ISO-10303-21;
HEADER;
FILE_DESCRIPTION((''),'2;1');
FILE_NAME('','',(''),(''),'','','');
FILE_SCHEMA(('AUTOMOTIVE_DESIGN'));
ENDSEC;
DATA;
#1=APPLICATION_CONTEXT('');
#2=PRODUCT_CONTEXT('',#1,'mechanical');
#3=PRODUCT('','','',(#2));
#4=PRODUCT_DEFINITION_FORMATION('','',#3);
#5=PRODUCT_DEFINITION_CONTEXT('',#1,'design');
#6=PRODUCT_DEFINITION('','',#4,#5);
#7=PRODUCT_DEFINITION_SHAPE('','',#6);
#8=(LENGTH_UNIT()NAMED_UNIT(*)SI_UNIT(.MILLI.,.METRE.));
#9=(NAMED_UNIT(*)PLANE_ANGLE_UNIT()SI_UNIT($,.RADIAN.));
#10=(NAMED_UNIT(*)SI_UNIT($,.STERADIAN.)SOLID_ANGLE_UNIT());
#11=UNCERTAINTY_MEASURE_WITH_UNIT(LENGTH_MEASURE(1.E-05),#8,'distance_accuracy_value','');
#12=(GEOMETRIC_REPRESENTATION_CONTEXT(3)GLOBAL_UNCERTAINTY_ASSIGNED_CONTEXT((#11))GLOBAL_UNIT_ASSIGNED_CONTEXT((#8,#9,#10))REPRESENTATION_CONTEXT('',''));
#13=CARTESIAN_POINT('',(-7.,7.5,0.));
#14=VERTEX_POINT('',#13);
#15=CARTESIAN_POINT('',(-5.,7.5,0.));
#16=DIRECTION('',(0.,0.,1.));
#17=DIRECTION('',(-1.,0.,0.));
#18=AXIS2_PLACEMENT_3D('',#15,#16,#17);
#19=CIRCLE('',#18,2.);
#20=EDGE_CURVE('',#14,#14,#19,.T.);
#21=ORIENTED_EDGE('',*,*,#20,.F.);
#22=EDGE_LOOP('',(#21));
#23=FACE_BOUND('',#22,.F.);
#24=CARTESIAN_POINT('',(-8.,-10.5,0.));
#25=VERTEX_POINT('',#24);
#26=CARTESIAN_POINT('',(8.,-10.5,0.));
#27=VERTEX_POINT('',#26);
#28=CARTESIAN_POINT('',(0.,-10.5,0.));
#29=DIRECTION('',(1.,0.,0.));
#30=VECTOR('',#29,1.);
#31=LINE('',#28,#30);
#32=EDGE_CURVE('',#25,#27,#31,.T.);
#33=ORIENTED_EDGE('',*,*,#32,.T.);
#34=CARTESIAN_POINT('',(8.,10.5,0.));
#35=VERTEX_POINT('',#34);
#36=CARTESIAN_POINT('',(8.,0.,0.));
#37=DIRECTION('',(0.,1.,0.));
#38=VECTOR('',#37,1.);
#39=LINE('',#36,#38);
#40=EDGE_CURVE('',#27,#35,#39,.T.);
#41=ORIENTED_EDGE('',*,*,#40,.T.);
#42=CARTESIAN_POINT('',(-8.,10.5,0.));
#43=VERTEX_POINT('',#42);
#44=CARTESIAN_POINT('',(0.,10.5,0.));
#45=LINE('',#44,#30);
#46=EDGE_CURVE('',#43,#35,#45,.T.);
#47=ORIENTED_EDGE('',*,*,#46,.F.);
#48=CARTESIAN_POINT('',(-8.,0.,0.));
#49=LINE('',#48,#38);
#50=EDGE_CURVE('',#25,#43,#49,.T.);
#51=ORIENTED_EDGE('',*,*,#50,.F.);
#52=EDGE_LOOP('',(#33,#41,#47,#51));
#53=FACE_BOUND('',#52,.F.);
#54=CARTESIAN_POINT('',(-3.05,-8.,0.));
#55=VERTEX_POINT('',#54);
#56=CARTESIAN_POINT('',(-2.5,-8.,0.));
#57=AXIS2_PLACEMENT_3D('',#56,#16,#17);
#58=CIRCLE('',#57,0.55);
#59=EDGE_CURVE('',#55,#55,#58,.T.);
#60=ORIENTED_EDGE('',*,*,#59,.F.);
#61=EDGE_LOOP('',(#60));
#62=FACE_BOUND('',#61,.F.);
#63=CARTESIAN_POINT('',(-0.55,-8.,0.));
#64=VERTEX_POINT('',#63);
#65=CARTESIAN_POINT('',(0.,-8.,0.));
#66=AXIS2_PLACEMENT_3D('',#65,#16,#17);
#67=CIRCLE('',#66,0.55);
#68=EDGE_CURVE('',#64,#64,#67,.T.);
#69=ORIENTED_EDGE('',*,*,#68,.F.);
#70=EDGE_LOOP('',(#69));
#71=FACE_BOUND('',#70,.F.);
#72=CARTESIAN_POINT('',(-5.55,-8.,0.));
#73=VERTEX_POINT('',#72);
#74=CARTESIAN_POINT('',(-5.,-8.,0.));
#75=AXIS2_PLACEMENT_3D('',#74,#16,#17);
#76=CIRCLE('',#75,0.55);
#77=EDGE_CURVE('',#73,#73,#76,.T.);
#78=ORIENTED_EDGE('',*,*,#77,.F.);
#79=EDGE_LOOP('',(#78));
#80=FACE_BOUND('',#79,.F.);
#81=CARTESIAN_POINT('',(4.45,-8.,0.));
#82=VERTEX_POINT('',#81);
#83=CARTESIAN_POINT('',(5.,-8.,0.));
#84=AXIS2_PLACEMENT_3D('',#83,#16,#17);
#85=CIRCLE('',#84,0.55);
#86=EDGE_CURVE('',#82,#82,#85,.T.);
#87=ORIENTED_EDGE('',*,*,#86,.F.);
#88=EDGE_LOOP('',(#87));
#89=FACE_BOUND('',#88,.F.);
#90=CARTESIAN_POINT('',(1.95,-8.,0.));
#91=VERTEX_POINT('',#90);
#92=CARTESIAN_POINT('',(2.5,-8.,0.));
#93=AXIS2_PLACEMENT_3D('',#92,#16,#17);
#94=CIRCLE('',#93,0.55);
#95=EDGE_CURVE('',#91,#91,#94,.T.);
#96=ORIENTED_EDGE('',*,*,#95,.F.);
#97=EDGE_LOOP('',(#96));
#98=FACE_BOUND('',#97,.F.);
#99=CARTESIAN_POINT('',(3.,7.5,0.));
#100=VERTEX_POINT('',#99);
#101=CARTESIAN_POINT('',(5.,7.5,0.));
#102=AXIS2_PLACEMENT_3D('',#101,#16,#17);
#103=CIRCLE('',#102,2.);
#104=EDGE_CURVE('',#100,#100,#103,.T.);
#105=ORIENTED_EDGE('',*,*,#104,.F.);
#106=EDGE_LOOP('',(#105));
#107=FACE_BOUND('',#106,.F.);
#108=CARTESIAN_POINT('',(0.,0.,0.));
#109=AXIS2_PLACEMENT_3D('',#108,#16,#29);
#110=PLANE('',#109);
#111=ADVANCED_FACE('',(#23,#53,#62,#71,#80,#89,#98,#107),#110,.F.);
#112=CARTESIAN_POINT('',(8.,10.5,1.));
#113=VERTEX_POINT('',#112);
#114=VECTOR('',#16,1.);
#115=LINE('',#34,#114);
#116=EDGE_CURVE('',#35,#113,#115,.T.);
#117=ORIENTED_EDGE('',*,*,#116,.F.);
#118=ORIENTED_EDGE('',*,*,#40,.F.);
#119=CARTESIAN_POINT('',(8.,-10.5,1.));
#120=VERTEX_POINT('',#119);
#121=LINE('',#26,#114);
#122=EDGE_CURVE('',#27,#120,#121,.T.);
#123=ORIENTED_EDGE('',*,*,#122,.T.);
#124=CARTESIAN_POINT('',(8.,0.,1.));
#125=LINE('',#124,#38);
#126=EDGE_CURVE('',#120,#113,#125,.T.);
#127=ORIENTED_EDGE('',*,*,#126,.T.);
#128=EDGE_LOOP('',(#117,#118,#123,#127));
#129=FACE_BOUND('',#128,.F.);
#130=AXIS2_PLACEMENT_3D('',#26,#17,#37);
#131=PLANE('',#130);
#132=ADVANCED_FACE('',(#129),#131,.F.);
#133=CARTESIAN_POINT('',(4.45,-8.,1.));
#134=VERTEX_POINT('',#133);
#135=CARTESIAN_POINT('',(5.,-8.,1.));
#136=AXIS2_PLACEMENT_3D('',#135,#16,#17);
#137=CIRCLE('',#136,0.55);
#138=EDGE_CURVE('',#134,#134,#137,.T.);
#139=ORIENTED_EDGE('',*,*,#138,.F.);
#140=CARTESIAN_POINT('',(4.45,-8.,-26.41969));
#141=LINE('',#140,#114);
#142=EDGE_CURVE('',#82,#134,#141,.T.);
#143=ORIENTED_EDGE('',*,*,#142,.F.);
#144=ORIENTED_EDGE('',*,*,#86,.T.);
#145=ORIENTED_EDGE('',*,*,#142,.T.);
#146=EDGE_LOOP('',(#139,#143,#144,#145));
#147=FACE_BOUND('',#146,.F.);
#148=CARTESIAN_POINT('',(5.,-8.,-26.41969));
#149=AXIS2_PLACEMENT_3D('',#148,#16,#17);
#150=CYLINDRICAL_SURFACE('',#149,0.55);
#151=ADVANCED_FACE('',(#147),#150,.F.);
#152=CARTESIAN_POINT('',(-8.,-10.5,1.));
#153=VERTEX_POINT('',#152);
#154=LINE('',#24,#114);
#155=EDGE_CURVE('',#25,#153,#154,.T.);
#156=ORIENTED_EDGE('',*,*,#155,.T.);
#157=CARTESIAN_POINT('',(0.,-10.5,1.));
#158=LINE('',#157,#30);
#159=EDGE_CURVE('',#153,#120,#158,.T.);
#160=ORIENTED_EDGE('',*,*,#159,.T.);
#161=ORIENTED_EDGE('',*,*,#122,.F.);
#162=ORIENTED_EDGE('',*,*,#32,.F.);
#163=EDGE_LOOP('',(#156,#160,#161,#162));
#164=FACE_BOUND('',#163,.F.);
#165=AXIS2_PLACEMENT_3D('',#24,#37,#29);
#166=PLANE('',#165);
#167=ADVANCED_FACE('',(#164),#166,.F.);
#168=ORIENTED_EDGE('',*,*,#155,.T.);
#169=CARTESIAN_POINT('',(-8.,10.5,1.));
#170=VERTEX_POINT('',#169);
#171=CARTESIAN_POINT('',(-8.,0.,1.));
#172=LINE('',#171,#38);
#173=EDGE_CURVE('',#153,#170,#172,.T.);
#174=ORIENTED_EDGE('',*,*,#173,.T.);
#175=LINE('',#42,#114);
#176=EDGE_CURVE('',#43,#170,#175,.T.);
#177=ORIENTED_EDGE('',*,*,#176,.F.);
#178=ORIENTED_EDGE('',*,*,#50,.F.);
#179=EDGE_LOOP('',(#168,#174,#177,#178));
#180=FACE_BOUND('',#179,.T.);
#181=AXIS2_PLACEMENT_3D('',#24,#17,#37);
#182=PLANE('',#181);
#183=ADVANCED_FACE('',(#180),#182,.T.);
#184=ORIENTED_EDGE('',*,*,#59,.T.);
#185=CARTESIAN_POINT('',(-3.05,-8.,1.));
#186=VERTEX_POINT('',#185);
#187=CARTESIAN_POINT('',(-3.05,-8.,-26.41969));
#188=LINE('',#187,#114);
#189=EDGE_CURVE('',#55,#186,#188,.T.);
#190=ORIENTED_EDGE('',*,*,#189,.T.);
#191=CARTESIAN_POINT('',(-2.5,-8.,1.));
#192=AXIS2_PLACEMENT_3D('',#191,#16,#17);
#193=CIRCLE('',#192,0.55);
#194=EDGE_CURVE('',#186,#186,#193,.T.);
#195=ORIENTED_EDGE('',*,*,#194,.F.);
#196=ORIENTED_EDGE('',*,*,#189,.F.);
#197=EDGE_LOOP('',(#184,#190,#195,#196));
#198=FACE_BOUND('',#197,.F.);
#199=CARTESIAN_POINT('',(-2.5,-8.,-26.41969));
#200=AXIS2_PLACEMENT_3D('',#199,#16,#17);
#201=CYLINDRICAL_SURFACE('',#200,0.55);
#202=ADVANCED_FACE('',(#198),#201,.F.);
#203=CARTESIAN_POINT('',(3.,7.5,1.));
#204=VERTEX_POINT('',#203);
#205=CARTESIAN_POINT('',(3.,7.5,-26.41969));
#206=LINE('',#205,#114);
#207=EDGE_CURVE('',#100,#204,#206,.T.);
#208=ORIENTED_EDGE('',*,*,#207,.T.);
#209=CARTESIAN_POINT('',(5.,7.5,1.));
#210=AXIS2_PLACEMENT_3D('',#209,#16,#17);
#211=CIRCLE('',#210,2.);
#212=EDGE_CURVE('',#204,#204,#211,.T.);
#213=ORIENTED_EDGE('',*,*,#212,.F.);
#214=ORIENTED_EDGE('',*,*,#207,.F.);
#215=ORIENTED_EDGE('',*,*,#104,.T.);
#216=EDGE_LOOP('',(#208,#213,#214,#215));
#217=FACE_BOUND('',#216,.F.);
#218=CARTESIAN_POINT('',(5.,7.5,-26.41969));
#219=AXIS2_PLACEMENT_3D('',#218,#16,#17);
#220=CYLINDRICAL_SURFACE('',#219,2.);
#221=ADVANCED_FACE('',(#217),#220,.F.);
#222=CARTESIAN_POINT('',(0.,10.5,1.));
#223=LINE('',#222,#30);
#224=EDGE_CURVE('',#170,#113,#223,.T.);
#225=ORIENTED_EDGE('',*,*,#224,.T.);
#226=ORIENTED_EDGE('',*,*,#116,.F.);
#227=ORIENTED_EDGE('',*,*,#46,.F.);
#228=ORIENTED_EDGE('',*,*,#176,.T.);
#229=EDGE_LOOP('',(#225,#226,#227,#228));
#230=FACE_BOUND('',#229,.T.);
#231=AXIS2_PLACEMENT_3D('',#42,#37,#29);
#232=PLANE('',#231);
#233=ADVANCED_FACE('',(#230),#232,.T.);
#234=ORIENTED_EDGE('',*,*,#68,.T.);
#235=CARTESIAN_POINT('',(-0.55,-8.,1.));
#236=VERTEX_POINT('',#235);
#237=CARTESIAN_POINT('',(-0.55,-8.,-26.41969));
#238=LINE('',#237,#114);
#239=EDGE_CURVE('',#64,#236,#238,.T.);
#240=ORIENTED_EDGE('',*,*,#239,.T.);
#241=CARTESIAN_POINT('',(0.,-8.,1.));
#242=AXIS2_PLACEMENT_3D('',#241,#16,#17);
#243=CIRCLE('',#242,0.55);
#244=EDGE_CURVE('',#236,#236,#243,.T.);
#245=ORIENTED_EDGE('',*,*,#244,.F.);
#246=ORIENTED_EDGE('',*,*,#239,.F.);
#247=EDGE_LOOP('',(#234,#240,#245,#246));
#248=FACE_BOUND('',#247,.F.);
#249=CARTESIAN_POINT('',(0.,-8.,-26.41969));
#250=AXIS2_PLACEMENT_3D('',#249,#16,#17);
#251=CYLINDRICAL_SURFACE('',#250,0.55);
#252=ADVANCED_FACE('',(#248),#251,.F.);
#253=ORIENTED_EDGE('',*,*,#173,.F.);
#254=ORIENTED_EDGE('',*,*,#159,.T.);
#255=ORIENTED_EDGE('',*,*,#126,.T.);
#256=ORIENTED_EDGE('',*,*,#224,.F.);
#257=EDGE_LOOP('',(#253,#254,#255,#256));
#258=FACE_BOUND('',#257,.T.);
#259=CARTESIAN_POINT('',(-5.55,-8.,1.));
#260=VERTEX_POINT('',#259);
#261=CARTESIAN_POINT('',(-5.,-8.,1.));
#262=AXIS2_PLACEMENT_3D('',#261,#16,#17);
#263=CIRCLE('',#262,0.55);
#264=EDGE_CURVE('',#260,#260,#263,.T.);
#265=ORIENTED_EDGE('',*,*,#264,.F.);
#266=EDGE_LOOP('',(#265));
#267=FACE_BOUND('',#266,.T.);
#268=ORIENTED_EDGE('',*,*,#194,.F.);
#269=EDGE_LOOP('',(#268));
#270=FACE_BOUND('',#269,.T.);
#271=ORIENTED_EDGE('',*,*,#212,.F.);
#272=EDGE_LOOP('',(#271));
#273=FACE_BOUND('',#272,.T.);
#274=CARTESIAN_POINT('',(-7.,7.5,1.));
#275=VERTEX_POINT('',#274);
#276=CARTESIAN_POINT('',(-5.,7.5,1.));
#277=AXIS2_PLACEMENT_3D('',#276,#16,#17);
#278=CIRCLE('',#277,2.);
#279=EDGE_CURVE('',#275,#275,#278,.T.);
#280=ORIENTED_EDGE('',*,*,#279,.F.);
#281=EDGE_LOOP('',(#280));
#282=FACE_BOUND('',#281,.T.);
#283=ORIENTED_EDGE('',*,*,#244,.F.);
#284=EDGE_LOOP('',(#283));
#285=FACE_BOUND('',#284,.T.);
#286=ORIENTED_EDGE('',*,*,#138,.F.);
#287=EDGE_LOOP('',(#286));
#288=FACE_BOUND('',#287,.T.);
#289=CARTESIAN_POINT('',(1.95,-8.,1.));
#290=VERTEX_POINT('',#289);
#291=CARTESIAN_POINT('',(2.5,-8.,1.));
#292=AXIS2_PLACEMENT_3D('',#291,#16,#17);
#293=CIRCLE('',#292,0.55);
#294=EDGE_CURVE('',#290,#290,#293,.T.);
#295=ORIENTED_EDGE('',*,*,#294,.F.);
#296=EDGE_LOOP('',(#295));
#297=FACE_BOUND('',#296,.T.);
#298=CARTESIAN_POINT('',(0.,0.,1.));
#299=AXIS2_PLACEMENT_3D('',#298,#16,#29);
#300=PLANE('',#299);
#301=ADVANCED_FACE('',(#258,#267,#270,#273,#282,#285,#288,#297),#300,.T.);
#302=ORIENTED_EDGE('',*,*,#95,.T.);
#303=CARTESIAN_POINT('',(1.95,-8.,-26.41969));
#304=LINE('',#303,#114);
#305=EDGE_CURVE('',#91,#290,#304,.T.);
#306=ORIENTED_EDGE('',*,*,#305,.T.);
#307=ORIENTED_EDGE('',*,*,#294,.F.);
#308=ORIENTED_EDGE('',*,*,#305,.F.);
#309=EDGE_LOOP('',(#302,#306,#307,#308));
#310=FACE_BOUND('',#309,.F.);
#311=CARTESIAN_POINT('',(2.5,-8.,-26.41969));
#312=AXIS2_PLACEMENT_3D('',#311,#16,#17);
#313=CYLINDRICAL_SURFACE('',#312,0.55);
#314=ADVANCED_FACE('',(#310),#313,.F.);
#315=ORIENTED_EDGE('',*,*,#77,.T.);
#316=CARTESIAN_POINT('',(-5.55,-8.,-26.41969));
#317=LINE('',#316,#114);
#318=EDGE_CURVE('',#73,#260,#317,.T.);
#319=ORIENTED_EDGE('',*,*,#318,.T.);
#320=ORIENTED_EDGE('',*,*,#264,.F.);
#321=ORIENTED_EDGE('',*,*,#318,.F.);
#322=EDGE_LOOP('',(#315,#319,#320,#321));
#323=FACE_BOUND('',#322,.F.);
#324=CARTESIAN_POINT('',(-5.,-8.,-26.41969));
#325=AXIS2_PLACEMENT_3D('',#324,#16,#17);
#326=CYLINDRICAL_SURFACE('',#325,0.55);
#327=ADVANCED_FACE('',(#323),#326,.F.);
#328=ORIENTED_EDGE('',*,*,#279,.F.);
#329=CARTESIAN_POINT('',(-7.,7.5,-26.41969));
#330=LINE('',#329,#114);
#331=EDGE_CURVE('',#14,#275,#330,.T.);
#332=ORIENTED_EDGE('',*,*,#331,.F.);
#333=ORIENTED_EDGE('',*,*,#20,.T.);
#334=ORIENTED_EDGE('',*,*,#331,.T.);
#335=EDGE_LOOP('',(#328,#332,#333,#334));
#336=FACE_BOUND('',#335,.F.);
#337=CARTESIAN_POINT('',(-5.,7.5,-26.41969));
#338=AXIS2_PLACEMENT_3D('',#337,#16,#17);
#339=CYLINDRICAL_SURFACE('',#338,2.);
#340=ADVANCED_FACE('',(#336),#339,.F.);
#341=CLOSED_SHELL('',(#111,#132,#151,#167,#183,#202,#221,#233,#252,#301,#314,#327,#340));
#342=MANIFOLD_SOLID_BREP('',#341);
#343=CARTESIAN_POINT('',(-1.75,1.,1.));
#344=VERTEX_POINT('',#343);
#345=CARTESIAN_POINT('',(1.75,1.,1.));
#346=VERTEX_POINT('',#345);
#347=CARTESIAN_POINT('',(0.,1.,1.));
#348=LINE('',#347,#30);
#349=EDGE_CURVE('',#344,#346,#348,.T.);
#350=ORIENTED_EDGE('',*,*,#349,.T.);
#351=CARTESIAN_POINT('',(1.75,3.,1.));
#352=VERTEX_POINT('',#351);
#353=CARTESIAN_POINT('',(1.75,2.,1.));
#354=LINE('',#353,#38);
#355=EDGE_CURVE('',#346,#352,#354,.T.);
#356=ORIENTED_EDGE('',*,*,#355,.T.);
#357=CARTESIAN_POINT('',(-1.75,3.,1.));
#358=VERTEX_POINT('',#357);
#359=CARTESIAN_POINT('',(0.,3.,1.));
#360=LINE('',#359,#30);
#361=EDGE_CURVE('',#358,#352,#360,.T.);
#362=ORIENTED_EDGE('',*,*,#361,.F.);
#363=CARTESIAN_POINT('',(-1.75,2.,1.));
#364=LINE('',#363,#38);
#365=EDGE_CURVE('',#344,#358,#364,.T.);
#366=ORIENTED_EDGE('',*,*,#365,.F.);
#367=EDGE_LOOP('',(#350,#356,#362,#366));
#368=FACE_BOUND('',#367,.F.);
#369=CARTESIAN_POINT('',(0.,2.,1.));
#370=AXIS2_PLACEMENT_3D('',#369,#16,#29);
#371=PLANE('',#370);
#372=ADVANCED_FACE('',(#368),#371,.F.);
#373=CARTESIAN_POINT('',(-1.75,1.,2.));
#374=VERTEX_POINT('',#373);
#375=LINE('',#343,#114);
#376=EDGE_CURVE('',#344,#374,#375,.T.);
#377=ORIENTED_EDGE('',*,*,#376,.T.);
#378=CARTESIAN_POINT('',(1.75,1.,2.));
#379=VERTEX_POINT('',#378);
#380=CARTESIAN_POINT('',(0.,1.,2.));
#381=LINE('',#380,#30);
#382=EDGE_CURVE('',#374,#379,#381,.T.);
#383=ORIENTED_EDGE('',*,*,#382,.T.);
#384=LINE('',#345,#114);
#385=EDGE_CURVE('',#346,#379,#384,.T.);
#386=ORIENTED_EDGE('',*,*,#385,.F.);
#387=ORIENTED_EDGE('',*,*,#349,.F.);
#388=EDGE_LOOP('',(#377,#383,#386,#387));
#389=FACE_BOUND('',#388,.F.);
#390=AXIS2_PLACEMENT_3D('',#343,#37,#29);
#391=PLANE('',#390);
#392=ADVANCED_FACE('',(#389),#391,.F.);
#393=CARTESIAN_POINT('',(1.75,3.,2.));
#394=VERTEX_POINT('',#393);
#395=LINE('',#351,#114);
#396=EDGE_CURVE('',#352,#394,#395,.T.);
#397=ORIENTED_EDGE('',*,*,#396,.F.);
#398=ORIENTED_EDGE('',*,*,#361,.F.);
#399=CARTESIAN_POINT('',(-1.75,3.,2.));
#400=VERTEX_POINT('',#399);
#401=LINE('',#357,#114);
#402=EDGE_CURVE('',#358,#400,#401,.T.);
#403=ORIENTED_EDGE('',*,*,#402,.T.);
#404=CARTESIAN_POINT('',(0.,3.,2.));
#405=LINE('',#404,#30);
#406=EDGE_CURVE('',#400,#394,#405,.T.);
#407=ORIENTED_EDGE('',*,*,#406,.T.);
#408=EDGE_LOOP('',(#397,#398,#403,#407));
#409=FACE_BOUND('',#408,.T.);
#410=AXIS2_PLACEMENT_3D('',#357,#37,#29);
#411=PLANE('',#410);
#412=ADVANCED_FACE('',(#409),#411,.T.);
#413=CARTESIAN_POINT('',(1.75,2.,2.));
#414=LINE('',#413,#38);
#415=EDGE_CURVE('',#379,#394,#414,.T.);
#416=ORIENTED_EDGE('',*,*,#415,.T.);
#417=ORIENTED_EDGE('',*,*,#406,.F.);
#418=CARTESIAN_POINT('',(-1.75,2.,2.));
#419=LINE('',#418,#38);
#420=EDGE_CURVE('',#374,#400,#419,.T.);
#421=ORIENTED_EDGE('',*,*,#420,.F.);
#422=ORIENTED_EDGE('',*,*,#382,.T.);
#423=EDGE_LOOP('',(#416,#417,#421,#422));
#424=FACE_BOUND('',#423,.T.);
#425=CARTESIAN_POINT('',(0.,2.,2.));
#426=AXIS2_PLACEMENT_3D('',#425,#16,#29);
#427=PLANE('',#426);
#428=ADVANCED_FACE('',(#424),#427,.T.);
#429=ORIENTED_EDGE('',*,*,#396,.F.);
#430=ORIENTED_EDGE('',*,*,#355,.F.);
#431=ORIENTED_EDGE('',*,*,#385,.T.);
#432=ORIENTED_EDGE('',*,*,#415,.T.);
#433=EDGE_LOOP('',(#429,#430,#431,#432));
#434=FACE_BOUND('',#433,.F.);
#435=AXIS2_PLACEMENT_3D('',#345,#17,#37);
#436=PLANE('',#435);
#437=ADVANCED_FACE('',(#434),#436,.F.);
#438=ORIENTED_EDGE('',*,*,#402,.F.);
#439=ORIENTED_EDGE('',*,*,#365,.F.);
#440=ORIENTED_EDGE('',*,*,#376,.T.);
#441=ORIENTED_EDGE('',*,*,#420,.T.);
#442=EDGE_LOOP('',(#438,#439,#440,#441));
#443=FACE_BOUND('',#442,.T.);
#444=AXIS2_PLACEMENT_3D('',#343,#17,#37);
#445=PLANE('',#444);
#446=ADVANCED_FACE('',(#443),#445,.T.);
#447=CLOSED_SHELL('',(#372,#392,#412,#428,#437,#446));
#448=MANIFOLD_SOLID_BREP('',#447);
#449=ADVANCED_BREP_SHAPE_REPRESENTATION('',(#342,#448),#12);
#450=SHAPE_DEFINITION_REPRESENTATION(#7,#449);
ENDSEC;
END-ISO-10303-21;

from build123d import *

# Parameters (mm, degrees)
F0_W     = 16
F0_H     = 21
F1_DEPTH = 1
F2_D     = 1.1
F3_D     = 4
F4_W     = 3.5
F4_H     = 2
F5_DEPTH = 1


with BuildPart() as f1:
    # F0 (on Top) → F1 (new body)
    with BuildSketch(Plane.XY):
        Rectangle(F0_W, F0_H)
    extrude(amount=F1_DEPTH)

    # F2 (through all)
    with Locations(Plane(origin=(0, 0, 0), x_dir=(1, 0, 0), z_dir=(0, 0, -1))):
        with Locations((-5, 8), (-2.5, 8), (0, 8), (2.5, 8), (5, 8)):
            Hole(F2_D / 2)

    # F3 (through all)
    with Locations(Plane(origin=(0, 0, 0), x_dir=(1, 0, 0), z_dir=(0, 0, -1))):
        with Locations((-5, -7.5), (5, -7.5)):
            Hole(F3_D / 2)


with BuildPart() as f5:
    # F4 (on face) → F5 (new body)
    with BuildSketch(Plane.XY.offset(1)):
        with Locations((0, 2)):
            Rectangle(F4_W, F4_H)
    extrude(amount=F5_DEPTH)


solid = Compound([f1.part, f5.part])
